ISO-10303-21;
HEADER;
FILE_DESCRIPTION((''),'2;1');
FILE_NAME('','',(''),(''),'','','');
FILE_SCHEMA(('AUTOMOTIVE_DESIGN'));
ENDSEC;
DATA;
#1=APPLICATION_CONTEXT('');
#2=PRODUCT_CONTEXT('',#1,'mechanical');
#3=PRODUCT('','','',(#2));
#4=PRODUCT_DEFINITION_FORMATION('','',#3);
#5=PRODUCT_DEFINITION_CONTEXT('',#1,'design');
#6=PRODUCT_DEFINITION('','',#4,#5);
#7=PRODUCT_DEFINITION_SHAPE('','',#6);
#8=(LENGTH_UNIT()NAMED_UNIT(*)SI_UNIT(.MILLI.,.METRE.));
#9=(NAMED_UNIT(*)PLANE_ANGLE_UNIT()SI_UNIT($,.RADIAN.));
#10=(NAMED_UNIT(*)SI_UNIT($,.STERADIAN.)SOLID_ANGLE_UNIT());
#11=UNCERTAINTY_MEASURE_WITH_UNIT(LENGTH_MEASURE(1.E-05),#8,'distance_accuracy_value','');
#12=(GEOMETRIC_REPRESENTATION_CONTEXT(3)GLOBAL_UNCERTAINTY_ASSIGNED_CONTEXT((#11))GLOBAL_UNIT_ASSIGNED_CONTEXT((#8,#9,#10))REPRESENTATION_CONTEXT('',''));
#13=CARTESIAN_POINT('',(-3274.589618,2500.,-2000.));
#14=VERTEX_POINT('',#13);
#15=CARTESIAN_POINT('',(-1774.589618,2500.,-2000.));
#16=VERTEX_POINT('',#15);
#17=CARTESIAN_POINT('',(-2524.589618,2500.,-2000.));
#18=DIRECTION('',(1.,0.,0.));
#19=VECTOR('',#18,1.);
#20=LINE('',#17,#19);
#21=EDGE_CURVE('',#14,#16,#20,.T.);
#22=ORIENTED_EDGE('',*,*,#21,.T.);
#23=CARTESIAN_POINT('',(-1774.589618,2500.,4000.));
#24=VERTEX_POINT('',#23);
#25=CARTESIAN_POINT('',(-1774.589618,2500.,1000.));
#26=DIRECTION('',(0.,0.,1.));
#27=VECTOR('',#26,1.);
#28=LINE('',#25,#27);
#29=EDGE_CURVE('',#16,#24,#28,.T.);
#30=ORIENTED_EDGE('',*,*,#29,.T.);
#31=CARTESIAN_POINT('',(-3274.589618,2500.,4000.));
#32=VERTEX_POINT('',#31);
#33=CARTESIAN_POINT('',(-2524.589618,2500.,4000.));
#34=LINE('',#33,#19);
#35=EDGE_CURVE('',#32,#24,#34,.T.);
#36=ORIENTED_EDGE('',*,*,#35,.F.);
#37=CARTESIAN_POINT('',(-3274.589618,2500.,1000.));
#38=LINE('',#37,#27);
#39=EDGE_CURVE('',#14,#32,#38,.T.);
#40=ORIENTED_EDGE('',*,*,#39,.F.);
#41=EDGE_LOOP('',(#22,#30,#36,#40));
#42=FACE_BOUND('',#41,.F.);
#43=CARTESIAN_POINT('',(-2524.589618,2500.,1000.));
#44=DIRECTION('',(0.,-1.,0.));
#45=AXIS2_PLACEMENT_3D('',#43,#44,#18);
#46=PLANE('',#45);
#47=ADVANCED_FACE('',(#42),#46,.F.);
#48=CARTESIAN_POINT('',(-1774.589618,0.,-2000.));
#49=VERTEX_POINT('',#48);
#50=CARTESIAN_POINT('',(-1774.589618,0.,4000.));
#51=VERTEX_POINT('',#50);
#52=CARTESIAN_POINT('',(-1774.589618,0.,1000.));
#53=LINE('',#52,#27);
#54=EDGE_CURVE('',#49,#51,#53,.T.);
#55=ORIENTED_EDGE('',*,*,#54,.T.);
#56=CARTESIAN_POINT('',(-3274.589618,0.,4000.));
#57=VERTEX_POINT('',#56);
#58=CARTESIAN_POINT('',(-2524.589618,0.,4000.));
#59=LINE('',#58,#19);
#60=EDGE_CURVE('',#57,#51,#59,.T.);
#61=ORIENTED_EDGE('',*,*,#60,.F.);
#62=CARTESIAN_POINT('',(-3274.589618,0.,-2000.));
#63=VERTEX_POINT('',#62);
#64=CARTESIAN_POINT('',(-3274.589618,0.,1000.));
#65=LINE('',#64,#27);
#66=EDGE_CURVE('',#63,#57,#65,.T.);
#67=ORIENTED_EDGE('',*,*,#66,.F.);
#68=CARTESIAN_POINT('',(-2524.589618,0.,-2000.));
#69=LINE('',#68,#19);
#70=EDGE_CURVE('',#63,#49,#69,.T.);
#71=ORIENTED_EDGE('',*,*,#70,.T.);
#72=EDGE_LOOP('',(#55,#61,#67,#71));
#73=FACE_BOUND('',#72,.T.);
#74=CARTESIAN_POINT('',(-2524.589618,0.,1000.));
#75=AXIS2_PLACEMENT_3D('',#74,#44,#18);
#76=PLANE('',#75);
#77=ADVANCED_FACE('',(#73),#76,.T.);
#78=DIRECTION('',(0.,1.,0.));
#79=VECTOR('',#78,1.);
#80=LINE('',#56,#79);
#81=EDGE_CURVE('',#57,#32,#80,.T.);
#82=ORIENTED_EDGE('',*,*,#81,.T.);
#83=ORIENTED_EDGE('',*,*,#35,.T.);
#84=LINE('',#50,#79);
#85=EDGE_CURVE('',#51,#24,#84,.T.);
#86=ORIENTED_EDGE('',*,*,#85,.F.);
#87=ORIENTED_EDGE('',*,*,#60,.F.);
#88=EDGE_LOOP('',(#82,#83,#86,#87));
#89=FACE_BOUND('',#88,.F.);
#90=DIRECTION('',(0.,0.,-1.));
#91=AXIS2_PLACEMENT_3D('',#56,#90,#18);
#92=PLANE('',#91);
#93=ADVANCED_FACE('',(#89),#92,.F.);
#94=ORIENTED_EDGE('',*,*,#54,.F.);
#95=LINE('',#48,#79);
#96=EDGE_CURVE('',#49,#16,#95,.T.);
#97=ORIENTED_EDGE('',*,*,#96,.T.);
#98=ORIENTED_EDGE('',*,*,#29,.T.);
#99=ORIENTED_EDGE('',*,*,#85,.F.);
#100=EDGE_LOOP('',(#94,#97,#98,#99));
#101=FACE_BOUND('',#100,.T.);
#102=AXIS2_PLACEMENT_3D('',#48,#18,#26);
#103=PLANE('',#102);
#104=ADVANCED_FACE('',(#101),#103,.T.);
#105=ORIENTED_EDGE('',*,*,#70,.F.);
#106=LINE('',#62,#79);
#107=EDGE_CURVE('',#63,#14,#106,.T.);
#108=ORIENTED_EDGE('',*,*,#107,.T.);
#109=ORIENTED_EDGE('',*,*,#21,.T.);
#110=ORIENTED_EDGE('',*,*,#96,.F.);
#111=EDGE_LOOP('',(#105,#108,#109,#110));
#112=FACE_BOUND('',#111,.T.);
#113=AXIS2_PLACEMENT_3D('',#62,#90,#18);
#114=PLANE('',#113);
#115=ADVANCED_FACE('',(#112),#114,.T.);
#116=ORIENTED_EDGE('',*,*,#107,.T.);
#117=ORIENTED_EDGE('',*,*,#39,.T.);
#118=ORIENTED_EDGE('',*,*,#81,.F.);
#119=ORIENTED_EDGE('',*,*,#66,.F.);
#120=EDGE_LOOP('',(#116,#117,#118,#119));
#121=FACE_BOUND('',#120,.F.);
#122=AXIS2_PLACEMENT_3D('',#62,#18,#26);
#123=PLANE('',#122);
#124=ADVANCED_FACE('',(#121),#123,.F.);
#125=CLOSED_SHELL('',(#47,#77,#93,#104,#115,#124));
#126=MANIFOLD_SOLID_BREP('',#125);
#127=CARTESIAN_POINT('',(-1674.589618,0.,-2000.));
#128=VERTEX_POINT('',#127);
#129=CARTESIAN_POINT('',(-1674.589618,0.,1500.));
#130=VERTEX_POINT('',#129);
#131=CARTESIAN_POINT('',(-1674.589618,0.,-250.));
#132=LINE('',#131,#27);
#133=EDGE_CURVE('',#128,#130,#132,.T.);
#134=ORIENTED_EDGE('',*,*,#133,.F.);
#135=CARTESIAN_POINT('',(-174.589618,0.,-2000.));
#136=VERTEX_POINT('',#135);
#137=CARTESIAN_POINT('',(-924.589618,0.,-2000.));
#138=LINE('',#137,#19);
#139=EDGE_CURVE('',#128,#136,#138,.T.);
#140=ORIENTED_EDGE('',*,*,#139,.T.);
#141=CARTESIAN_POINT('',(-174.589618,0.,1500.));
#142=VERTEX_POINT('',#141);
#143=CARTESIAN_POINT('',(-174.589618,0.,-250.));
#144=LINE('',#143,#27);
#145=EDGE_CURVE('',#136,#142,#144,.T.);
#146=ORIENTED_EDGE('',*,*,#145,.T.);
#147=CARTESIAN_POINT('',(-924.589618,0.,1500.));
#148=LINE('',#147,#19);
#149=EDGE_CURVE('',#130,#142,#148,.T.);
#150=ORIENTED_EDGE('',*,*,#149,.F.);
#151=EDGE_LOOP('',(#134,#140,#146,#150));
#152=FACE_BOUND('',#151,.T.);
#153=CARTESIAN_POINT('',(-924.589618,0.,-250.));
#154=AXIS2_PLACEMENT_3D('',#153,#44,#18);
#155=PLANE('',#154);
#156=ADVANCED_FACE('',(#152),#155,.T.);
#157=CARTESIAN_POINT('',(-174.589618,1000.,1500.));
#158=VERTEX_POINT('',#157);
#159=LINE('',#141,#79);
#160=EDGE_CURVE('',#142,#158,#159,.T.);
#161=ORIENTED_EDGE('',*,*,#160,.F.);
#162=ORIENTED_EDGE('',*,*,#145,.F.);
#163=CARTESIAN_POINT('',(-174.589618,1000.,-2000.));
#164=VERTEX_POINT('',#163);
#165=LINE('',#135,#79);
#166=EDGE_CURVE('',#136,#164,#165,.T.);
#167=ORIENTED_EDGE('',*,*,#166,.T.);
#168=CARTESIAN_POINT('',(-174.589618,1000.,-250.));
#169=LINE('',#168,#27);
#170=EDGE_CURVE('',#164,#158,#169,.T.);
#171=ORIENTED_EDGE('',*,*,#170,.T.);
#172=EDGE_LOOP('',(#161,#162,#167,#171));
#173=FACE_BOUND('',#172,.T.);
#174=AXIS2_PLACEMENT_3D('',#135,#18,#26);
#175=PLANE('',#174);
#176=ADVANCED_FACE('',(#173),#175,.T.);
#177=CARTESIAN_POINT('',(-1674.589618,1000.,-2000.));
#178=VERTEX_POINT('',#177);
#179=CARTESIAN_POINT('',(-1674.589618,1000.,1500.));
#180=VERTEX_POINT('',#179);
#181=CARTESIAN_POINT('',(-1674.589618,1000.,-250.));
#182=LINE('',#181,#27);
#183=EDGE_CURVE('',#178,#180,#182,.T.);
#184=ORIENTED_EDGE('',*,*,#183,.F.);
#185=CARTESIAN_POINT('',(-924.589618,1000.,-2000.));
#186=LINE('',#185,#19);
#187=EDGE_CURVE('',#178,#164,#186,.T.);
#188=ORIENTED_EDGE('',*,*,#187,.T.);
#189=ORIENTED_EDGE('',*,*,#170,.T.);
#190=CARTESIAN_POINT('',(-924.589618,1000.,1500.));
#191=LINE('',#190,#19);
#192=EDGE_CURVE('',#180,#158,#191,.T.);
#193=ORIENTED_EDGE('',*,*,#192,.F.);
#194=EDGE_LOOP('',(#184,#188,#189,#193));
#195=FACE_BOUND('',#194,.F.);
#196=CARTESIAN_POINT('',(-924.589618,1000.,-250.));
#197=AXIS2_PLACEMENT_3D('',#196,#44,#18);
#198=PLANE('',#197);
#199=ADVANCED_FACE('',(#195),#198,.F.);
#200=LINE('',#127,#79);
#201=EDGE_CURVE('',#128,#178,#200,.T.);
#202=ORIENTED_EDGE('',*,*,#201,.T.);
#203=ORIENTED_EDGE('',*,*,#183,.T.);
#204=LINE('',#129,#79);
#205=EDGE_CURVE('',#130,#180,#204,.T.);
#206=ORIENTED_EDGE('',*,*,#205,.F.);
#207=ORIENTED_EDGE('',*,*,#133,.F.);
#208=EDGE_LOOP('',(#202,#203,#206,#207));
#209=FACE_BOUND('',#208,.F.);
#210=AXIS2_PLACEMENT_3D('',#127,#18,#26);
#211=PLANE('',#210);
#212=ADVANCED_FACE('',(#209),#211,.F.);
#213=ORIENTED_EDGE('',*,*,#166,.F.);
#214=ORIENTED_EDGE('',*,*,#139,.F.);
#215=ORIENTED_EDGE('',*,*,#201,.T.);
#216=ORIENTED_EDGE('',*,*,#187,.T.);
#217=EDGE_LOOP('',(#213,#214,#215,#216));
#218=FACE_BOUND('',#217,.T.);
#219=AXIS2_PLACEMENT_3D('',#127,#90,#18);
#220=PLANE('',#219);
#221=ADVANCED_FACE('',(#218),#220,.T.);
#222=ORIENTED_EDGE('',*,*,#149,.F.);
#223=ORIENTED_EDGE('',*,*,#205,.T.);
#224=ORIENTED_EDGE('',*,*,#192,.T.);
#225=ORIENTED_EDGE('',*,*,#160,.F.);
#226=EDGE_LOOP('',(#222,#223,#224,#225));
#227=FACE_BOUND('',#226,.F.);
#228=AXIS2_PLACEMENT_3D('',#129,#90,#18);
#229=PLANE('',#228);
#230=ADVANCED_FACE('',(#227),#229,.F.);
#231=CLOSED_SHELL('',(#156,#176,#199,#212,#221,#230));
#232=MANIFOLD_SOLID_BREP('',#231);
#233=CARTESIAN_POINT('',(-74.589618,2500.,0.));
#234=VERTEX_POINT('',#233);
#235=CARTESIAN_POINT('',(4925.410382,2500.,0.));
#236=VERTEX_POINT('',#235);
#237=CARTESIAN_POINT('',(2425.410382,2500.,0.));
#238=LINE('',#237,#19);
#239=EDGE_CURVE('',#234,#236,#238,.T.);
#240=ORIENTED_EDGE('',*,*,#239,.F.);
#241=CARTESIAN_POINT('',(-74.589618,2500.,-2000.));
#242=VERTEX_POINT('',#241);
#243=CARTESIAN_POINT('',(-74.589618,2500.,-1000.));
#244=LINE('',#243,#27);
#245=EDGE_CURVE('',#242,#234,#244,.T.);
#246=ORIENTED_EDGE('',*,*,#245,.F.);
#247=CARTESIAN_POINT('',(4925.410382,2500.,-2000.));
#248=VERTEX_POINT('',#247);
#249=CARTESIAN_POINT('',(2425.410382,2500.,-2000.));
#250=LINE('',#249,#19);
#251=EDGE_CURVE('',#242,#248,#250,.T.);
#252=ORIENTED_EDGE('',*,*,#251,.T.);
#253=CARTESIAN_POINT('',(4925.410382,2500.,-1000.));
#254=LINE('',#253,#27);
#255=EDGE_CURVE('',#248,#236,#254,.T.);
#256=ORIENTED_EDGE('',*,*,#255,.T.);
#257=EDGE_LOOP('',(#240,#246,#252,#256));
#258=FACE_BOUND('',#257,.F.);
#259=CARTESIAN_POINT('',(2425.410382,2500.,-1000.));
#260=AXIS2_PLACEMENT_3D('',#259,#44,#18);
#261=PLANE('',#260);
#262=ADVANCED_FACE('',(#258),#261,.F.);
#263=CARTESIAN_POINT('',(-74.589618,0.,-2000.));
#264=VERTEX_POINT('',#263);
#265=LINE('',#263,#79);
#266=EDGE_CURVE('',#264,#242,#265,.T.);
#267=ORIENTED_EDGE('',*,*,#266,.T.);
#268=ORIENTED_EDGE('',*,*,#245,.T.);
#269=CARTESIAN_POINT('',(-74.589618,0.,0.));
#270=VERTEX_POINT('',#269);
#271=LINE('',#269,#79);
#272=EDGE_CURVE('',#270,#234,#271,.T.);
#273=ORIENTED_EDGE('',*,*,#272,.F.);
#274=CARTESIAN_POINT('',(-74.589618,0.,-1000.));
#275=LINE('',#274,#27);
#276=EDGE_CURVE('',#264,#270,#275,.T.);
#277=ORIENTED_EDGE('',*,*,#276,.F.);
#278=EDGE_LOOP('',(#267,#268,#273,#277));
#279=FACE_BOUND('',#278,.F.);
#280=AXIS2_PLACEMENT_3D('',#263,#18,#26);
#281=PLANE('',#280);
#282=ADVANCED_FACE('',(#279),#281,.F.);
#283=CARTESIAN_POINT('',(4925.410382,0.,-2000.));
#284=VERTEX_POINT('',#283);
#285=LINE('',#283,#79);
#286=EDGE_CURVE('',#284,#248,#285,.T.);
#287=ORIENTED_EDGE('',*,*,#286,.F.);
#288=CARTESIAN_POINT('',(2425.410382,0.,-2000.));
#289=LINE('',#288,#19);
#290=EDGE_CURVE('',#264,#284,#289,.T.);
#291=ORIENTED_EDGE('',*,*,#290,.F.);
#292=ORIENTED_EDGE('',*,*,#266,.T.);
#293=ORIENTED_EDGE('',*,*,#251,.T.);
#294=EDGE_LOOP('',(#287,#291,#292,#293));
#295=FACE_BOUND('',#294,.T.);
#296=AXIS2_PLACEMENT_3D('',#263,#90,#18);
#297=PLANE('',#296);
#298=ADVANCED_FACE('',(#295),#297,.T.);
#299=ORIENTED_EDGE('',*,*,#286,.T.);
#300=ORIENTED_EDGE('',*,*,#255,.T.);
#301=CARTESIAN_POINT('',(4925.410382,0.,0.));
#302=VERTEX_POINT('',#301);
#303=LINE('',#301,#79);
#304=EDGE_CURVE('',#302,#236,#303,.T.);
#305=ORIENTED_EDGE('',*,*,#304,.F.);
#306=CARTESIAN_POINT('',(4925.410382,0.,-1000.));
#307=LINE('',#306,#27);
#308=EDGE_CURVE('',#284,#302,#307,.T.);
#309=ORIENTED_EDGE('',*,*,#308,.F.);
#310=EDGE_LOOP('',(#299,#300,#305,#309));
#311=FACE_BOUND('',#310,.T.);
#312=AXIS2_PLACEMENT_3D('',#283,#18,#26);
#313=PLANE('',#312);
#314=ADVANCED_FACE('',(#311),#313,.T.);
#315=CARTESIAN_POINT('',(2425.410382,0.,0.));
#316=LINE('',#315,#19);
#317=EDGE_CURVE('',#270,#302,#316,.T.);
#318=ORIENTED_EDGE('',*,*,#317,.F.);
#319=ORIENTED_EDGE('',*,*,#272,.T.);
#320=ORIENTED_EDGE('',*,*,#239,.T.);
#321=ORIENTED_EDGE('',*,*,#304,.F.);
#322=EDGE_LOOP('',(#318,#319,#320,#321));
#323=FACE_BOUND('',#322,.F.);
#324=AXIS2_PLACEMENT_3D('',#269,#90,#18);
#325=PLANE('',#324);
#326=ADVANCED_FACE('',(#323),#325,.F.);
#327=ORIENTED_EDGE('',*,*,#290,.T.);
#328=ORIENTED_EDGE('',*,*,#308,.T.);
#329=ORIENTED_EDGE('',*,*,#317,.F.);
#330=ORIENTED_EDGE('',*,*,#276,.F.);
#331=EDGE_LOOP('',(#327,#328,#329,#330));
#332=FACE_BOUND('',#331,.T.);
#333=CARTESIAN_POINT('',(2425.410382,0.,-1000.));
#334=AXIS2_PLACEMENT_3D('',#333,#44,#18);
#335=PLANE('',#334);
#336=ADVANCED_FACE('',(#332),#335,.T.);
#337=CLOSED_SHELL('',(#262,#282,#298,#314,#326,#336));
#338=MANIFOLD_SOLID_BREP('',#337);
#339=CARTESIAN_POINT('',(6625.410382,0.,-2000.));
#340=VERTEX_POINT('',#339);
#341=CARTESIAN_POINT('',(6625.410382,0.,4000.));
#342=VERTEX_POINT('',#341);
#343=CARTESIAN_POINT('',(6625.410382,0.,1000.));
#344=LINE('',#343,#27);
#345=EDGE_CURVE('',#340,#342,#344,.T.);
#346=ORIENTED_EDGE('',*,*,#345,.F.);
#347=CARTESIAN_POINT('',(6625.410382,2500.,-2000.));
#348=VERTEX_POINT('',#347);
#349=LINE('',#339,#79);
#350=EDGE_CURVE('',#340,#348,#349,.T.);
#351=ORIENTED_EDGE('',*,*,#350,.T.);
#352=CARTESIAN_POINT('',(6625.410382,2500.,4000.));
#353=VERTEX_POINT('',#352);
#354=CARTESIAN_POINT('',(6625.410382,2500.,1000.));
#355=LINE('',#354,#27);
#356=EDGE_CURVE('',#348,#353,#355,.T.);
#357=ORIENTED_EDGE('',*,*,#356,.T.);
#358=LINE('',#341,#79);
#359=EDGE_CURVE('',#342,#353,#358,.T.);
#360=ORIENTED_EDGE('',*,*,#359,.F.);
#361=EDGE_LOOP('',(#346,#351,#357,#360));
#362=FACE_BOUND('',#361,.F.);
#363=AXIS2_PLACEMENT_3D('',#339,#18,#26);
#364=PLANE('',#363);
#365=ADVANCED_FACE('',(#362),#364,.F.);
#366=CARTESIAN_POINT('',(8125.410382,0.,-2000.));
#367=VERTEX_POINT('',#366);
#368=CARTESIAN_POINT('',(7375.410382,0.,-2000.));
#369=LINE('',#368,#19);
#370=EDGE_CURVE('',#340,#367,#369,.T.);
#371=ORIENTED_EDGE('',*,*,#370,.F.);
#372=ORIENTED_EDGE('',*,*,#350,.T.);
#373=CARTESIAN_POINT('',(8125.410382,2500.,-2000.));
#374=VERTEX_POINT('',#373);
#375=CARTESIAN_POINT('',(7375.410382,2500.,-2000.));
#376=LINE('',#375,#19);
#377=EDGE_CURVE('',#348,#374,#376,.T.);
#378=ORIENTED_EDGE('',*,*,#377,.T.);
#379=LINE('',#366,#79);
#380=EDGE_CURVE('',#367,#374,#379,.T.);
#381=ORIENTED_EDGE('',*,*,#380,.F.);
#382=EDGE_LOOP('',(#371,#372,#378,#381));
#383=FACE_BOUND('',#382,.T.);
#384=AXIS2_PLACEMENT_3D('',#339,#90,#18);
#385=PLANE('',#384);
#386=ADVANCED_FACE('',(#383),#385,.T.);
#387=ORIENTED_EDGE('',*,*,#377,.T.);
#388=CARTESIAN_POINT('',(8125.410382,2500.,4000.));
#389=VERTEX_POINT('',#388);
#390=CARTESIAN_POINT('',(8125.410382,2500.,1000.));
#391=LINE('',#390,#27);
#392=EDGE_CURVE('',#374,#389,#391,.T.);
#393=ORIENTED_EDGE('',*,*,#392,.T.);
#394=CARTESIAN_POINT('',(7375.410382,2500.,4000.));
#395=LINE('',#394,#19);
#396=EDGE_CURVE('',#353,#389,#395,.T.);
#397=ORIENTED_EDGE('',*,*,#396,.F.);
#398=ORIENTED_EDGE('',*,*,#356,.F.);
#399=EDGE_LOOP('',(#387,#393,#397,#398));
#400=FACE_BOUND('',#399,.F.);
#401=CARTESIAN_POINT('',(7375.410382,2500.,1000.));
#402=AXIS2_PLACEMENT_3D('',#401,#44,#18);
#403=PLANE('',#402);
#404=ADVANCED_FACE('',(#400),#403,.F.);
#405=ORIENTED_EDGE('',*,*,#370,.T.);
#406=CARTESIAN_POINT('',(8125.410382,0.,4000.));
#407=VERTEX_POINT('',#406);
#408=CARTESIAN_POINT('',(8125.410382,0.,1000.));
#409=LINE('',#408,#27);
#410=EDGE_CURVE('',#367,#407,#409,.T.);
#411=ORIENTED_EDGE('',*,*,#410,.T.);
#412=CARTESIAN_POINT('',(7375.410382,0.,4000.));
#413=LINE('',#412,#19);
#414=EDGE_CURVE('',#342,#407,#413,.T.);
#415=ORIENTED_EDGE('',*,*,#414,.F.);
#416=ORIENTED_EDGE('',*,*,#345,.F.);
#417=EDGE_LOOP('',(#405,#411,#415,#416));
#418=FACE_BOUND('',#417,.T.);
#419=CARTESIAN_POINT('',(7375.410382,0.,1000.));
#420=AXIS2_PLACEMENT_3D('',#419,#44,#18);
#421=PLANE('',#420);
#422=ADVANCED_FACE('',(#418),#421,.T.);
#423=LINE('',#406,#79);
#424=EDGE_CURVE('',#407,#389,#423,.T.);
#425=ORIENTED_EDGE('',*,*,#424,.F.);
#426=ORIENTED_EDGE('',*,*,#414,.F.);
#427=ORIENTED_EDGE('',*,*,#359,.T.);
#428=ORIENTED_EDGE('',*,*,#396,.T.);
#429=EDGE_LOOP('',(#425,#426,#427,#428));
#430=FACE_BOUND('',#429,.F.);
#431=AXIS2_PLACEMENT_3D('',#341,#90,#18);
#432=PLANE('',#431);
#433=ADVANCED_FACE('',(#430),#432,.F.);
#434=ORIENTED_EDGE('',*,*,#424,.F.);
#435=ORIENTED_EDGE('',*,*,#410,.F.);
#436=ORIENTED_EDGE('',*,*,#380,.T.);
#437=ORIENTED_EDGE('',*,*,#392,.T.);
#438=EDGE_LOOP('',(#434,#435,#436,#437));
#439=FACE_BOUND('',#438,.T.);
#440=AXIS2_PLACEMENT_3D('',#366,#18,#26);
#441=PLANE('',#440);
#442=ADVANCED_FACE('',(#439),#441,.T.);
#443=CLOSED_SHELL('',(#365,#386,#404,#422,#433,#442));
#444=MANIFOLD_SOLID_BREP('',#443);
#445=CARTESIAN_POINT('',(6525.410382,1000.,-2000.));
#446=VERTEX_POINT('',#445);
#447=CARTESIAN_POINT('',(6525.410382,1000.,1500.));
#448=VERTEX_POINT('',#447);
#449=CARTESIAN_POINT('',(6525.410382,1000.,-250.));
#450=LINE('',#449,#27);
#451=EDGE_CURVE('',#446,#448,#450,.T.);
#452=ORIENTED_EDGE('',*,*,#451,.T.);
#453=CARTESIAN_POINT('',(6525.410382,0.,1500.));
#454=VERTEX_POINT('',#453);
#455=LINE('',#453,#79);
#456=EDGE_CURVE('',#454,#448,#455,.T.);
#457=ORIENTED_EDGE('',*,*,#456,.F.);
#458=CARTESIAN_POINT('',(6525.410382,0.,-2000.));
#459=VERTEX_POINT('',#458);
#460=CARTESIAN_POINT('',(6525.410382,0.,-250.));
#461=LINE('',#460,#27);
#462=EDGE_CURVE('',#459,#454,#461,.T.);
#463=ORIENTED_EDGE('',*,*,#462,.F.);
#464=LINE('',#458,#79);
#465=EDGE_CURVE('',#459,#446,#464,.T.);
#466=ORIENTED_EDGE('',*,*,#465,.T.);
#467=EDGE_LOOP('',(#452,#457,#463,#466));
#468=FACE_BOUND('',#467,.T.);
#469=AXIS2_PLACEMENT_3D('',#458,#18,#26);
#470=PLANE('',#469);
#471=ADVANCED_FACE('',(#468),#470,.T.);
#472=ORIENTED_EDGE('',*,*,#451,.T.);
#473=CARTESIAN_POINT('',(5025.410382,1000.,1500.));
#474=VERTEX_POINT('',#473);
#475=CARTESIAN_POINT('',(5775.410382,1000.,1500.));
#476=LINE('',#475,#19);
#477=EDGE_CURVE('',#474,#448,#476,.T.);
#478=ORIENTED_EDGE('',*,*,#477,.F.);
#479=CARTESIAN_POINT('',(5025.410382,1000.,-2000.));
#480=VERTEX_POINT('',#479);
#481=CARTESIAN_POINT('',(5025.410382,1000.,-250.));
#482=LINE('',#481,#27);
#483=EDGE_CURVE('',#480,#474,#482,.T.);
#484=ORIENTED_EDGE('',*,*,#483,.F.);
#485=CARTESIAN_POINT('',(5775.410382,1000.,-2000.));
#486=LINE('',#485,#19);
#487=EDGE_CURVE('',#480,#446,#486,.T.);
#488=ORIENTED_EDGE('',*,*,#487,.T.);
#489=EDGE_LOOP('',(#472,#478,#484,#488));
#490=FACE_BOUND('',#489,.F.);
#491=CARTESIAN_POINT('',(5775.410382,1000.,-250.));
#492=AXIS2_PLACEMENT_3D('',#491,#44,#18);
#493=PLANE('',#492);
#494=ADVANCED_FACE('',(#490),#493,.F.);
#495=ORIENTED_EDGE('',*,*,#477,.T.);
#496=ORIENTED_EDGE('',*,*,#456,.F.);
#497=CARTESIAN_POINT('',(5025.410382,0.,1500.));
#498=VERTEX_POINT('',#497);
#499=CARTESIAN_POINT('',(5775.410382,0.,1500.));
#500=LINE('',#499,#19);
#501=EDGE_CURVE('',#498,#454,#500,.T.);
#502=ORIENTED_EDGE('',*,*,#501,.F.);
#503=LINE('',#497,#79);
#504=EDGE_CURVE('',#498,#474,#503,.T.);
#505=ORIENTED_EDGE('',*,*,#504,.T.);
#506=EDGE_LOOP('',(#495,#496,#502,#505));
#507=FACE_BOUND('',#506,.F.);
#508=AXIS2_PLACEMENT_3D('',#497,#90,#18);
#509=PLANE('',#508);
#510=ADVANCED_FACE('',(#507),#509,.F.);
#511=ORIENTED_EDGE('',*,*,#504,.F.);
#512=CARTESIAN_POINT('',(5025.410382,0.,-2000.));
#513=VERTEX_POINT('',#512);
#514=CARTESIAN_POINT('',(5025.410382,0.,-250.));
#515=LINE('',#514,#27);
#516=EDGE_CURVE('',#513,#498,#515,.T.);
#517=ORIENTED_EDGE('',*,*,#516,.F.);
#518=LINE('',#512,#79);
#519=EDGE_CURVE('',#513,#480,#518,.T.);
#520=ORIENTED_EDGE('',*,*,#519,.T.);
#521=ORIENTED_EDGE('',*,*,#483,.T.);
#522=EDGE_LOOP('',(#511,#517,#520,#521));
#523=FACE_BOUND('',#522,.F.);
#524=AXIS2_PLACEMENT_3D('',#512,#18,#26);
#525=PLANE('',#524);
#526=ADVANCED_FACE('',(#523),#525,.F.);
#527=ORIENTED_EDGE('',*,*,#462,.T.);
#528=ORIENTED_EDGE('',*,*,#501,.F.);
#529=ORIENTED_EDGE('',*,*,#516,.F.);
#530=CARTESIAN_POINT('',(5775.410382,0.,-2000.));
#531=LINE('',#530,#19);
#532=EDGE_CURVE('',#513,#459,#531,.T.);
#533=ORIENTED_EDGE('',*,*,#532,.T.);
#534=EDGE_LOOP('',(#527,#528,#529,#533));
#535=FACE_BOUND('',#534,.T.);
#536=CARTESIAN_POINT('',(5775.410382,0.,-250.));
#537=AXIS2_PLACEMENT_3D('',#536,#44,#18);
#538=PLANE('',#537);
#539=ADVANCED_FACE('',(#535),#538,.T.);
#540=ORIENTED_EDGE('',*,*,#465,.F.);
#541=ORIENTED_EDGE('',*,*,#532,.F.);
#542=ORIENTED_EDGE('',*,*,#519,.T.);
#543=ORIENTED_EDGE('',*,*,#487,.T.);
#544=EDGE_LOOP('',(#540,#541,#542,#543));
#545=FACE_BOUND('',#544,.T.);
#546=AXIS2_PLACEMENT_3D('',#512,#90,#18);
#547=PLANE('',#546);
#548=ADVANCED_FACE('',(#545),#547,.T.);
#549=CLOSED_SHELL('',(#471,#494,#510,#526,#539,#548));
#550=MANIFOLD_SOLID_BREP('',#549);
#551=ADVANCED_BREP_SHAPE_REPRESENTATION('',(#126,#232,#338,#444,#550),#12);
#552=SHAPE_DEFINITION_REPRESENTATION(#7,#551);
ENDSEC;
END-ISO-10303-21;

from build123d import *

# Parameters (mm, degrees)
F0_W     = 5000
F0_H     = 2000
F3_DEPTH = 2500
F2_W     = 1500
F2_H     = 3500
F4_DEPTH = 1000
F2_H_2   = 6000
F5_DEPTH = 2500


with BuildPart() as f3:
    # F0 (on Front) → F3 (new body)
    with BuildSketch(Plane.XZ):
        with Locations((2425.410382, -1000)):
            Rectangle(F0_W, F0_H)
    extrude(amount=-F3_DEPTH)


with BuildPart() as f4:
    # F2 (on Front) → F4 (new body)
    with BuildSketch(Plane.XZ):
        with Locations((-924.589618, -250)):
            Rectangle(F2_W, F2_H)
        with Locations((5775.410382, -250)):
            Rectangle(F2_W, F2_H)
    extrude(amount=-F4_DEPTH)


with BuildPart() as f5:
    # F2 (on Front) → F5 (new body)
    with BuildSketch(Plane.XZ):
        with Locations((-2524.589618, 1000)):
            Rectangle(F2_W, F2_H_2)
        with Locations((7375.410382, 1000)):
            Rectangle(F2_W, F2_H_2)
    extrude(amount=-F5_DEPTH)


solid = Compound([f3.part, f4.part, f5.part])
